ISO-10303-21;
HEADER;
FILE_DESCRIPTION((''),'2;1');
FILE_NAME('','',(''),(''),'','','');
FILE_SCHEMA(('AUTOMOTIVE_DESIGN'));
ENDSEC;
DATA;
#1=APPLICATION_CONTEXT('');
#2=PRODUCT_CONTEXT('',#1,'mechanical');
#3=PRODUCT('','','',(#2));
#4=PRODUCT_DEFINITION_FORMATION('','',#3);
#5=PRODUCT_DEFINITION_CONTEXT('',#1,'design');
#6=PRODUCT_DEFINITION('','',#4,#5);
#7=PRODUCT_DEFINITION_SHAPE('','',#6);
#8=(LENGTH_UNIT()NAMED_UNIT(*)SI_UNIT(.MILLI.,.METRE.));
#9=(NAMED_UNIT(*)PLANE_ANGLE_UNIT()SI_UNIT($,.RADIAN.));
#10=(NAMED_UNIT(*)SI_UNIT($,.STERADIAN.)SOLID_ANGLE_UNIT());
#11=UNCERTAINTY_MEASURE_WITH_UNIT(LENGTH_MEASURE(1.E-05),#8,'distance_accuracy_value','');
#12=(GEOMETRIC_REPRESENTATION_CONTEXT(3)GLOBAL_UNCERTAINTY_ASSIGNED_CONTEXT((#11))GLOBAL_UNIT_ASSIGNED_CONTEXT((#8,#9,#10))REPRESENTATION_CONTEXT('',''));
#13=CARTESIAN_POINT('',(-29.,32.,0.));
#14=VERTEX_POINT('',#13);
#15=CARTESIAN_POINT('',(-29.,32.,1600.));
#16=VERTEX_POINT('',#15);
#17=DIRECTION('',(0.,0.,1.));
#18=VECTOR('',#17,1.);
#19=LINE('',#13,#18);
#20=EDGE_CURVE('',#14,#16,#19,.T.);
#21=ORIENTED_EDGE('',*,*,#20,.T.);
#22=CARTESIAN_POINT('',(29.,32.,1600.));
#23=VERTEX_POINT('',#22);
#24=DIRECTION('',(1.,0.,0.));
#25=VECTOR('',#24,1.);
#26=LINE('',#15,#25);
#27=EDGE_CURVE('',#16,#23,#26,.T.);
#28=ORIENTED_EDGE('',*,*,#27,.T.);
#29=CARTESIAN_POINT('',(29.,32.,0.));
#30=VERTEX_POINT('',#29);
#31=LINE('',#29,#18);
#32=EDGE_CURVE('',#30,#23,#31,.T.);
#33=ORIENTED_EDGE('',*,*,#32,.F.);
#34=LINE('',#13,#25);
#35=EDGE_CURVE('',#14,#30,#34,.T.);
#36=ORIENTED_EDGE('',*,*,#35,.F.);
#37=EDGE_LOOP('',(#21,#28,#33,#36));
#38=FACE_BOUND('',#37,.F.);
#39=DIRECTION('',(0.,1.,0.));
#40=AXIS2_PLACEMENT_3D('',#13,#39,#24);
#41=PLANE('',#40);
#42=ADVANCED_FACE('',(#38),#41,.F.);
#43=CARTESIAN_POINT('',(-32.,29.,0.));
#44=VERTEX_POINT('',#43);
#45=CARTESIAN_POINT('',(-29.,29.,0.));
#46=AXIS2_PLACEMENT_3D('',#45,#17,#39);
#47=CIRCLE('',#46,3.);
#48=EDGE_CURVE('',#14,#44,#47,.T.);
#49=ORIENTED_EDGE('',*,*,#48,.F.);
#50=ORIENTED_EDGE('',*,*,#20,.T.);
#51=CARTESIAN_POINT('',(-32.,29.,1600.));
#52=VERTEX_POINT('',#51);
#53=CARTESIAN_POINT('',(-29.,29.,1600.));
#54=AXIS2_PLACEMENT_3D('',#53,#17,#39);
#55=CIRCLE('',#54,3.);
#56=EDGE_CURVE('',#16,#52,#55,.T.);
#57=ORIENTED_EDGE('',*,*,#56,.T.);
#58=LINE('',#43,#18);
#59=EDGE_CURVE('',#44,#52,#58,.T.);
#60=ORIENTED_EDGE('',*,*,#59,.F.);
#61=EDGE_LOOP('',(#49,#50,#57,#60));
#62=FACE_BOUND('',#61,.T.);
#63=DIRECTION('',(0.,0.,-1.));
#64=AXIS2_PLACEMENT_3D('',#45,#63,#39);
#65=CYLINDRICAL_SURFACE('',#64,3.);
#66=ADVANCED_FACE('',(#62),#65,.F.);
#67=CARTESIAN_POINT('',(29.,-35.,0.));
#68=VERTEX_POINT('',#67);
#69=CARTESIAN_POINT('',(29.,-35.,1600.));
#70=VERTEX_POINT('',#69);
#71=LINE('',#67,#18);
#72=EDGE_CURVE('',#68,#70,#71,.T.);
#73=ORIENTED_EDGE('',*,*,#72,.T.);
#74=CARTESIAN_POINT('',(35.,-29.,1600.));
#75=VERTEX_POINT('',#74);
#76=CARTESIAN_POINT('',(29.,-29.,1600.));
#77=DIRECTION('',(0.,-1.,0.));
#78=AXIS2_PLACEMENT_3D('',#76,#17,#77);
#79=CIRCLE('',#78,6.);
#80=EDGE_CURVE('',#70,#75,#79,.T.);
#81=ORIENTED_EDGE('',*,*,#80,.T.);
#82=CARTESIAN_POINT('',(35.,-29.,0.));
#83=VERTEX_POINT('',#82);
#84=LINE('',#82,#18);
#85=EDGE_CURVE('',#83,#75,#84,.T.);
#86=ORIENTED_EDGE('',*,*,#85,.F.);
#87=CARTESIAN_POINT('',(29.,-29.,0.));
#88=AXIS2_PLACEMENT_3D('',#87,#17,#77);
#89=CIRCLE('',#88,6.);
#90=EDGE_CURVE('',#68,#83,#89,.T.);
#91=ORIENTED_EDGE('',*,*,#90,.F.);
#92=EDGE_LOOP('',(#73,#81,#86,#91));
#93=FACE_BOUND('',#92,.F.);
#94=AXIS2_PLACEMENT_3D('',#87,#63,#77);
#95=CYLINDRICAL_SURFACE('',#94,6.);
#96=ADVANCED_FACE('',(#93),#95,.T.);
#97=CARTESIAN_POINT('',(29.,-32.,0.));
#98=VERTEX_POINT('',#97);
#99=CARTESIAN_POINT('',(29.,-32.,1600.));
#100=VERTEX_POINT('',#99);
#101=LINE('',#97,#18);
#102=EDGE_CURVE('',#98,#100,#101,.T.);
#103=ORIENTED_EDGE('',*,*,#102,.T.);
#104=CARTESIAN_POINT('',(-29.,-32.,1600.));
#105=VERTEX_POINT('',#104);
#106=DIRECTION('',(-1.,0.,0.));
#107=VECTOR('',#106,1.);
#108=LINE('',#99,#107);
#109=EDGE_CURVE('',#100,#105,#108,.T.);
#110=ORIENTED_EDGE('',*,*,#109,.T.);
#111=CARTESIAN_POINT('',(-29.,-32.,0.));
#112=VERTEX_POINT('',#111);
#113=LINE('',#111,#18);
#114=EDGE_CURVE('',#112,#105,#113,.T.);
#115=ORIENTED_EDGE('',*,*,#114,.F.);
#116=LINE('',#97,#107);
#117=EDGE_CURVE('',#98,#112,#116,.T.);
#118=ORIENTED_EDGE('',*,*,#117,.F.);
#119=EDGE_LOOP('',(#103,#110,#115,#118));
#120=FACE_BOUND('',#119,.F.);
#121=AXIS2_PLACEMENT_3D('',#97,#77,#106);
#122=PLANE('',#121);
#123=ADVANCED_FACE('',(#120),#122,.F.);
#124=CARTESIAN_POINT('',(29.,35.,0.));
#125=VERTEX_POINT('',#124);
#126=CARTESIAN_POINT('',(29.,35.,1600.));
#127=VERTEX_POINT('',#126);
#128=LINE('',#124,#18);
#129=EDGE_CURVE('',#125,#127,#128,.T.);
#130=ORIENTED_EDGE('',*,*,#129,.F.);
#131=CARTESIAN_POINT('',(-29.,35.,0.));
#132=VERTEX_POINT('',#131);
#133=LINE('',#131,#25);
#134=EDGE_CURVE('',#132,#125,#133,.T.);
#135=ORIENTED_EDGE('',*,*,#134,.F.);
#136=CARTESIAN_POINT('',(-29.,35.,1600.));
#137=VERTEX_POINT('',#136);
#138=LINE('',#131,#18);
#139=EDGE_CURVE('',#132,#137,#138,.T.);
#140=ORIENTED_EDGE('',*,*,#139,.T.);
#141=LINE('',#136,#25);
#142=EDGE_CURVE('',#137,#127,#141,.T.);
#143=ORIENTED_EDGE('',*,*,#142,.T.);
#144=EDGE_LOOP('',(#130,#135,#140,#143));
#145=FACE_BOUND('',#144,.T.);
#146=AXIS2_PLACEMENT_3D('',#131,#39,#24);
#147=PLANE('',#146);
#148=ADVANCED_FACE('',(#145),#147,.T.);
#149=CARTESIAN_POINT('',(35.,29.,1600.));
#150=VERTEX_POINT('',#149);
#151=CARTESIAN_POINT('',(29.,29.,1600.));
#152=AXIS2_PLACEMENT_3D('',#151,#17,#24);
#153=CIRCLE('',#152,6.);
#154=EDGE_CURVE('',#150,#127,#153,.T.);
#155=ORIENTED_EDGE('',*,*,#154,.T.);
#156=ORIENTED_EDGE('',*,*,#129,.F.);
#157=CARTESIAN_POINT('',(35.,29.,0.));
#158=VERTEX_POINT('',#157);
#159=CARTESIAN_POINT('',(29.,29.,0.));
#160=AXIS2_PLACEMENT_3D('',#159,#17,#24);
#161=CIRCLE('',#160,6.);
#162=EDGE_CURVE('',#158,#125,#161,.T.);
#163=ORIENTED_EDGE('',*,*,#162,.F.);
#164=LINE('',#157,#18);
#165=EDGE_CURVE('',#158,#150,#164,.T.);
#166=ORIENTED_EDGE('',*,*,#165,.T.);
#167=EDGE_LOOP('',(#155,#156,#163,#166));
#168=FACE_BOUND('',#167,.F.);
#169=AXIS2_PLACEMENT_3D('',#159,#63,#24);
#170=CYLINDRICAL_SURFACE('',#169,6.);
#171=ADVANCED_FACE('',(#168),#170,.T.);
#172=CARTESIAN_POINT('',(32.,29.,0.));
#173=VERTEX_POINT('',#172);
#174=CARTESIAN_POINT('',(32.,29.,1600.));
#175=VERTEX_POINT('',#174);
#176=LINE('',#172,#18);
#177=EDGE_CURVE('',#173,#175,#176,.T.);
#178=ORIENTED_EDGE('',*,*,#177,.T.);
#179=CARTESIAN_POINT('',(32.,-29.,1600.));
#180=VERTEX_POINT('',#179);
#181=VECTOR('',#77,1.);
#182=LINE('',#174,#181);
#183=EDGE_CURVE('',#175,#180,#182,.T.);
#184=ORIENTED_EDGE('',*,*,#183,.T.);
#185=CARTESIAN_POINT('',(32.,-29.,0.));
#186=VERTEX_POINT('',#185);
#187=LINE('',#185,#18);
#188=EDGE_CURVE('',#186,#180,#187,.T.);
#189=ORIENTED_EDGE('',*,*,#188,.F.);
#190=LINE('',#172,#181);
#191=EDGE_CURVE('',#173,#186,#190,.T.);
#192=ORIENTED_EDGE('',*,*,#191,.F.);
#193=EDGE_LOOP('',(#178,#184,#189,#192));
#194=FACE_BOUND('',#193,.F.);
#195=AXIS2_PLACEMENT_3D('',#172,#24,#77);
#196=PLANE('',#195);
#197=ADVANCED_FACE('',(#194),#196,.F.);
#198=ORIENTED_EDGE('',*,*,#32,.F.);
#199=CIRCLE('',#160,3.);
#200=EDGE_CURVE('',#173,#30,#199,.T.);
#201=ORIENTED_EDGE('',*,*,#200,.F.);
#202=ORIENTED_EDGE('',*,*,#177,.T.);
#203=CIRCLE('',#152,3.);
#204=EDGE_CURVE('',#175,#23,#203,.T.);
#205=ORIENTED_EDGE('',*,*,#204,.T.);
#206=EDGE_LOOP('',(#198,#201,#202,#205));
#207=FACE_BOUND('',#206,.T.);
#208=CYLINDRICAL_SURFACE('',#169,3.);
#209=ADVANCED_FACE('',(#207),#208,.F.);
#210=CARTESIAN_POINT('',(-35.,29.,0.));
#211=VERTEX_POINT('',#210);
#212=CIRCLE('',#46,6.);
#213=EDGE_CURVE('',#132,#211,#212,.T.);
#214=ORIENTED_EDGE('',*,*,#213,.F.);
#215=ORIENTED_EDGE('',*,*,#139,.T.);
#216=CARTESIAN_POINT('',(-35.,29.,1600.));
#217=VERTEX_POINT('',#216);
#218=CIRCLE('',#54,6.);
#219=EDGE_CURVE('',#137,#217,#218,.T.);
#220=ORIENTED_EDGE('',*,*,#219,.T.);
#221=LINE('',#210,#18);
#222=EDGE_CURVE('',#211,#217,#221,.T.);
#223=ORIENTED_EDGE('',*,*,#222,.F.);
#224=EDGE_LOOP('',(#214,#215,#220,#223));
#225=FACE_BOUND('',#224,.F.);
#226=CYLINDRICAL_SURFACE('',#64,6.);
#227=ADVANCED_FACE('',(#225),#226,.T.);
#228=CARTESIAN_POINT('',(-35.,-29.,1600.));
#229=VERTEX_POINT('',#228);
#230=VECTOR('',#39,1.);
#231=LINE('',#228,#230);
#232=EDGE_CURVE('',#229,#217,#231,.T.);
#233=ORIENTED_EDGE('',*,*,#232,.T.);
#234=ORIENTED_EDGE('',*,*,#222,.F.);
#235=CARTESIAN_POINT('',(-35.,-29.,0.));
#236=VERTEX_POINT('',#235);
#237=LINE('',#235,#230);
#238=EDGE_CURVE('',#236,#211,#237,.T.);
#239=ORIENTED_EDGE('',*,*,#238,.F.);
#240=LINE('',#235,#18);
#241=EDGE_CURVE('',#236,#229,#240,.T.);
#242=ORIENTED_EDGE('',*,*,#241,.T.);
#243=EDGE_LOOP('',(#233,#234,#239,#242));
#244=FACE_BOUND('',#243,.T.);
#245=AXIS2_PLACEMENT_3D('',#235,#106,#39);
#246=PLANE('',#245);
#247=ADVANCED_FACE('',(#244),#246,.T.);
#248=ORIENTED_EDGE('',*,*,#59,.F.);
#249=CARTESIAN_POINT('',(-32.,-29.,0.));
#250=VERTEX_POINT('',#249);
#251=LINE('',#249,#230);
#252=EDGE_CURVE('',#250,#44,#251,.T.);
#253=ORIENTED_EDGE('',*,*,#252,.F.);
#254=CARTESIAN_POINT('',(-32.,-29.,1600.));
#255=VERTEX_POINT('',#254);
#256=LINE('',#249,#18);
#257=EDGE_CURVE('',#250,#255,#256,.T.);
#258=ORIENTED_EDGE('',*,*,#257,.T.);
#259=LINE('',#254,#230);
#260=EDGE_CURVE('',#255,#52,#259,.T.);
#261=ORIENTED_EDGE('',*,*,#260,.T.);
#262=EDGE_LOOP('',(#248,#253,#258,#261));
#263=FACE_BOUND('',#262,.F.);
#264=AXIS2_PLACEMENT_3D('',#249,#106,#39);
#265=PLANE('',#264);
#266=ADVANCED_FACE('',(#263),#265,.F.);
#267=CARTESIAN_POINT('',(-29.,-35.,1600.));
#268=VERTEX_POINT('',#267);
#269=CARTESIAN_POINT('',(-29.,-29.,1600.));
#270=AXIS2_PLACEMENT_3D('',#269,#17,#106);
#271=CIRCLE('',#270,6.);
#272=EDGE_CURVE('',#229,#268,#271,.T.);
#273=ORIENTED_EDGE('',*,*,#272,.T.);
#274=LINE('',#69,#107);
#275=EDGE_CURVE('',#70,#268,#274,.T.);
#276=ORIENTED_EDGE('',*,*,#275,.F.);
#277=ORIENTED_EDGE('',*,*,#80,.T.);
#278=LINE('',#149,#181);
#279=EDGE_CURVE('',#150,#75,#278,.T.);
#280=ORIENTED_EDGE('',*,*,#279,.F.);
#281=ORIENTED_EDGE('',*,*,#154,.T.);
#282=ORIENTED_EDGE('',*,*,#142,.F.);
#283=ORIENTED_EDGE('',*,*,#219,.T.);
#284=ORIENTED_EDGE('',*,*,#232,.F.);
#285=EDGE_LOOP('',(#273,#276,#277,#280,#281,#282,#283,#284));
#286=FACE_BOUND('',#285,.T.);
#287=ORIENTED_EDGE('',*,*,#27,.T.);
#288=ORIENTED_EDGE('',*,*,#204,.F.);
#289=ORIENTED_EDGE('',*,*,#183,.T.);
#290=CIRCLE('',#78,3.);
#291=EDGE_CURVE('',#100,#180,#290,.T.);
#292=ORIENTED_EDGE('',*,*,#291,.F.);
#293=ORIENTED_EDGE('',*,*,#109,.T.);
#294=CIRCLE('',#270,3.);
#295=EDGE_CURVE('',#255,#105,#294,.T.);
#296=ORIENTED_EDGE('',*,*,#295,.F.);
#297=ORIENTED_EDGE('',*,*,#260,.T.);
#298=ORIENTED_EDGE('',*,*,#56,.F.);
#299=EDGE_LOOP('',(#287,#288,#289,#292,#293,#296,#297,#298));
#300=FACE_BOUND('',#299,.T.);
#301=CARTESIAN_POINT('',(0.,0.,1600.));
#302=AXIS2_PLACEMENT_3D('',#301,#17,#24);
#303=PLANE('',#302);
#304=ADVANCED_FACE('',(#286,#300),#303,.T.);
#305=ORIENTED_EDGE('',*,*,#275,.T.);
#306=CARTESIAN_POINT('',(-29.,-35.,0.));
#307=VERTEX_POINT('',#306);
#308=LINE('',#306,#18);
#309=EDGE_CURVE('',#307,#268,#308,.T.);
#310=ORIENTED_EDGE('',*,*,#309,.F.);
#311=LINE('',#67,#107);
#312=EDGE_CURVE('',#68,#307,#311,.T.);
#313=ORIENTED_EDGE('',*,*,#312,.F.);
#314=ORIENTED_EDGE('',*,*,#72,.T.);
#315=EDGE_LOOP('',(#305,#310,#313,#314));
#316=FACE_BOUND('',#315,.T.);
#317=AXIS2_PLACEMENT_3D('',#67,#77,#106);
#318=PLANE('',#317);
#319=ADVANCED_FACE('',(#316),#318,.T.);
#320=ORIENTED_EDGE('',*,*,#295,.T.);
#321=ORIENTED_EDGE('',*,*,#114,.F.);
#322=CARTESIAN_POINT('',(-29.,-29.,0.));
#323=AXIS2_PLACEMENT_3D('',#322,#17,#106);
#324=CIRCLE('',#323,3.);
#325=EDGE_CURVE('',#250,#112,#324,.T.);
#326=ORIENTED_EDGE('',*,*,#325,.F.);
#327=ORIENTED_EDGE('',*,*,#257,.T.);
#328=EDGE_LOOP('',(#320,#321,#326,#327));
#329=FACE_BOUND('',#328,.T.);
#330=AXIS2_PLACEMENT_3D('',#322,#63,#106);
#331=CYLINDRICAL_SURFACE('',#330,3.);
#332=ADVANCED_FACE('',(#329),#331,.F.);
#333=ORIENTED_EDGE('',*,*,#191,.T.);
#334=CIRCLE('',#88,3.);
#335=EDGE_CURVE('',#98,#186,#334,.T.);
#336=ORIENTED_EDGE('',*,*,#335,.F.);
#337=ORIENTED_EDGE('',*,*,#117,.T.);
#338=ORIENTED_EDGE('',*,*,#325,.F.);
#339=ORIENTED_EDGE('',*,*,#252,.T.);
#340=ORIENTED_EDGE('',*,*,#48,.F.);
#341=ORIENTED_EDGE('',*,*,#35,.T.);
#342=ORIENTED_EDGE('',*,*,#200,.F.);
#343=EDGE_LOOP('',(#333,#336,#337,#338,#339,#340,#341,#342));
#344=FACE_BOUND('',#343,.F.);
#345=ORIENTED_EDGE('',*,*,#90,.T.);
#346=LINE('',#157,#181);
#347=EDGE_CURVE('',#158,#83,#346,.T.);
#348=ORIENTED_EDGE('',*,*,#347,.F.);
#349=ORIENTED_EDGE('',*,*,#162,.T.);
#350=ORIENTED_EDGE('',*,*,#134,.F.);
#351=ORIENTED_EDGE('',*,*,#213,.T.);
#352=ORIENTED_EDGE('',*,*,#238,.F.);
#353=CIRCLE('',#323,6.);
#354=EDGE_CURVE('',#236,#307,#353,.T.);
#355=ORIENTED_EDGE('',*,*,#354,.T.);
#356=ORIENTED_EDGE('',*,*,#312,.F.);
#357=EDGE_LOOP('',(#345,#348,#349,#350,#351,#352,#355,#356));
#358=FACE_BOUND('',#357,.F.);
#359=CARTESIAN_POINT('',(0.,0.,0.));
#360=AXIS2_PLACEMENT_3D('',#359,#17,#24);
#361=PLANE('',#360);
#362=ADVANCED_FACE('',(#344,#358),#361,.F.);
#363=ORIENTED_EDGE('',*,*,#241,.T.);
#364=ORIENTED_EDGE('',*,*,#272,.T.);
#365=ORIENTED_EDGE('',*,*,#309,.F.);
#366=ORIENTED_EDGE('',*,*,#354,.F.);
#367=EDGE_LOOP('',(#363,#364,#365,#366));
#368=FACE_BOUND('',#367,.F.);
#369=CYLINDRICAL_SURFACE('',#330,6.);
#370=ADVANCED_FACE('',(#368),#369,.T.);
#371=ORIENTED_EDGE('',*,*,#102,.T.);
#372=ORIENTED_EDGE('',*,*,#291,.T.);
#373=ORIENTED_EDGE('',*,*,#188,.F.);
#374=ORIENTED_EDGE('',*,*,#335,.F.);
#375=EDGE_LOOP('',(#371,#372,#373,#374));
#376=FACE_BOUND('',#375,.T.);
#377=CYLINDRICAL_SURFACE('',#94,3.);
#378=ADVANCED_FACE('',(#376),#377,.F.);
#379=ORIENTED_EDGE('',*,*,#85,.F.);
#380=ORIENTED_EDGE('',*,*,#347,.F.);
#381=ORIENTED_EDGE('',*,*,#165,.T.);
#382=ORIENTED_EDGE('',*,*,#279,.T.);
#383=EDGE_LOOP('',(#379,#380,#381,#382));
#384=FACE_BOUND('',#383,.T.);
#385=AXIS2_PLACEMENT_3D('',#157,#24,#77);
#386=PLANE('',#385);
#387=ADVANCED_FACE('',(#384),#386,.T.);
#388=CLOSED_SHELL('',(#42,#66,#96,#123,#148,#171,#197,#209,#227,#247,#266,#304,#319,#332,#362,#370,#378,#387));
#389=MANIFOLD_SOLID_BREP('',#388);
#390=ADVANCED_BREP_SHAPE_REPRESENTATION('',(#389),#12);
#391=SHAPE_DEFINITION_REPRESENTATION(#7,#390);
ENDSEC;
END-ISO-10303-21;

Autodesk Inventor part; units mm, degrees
ref_plane "YZ Plane" through (0, 0, 0) normal (1, 0, 0) x (0, 1, 0)
ref_plane "Start Plane" through (0, 0, 0) normal (0, 0, 1) x (1, 0, 0)
ref_plane "End Plane" through (0, 0, 1600) normal (0, 0, 1) x (1, 0, 0)
sketch "Sketch" plane through (0, 0, 0) normal (0, 0, 1) x (1, 0, 0)
  line L0 (-35, -29) -> (-35, 29)
  line L1 (-29, 35) -> (29, 35)
  line L2 (35, 29) -> (35, -29)
  line L3 (29, -35) -> (-29, -35)
  arc A0 (-35, -29) -> (-29, -35) centre (-29, -29) ccw
  arc A1 (35, 29) -> (29, 35) centre (29, 29) ccw
  arc A2 (-29, 35) -> (-35, 29) centre (-29, 29) ccw
  arc A3 (29, -35) -> (35, -29) centre (29, -29) ccw
  arc A4 (-29, 32) -> (-32, 29) centre (-29, 29) ccw
  line L4 (-29, 32) -> (29, 32)
  arc A5 (32, 29) -> (29, 32) centre (29, 29) ccw
  line L5 (32, 29) -> (32, -29)
  arc A6 (29, -32) -> (32, -29) centre (29, -29) ccw
  line L6 (29, -32) -> (-29, -32)
  arc A7 (-32, -29) -> (-29, -32) centre (-29, -29) ccw
  line L7 (-32, -29) -> (-32, 29)
  line L8 (0, 50.7397) -> (0, -50.7397) construction
  line L9 (-50.7397, 0) -> (50.7397, 0) construction
  dimension "d7" = 6
  dimension "d9" = 70
  dimension "d11" = 70
  dimension "d12" = 3
  dimension "d15" = 35
  dimension "d16" = 35
extrude "Body" add sketch "Sketch" along normal up to surface (1600 mm away) from surface at 0
sketch "Sketch3" plane through (0, 0, 0) normal (0, 0, 1) x (1, 0, 0)
  line L0 (0, 0) -> (10, 0)
ref_plane "Work Plane3" through (0, 0, 0) normal (0, -1, 0) x (1, 0, 0)
sketch "Sketch4" plane through (0, 0, 0) normal (0, -1, 0) x (1, 0, 0)
  line L0 (-2, 0) -> (12, 0)
  line L1 (-2, 1600) -> (12, 1600)
  dimension "d18" = 1600
equation "\"d7\" = G_IR"
equation "\"d9\" = G_W"
equation "\"d11\" = G_H"
equation "\"d12\" = G_T"
equation "\"d15\" = 0.5 * d9"
equation "\"d16\" = 0.5 * d11"
equation "\"d3\" = G_L"
equation "\"G_W\" = 70"
equation "\"G_H\" = 70"
equation "\"G_T\" = 3"
equation "\"G_IR\" = 6"
equation "\"G_L\" = d18"
equation "\"G_OFFSET_START\" = 0"
equation "\"G_OFFSET_END\" = 0"
properties part number "ISO 10799-2 - 70x70x3 - 1600" material "Steel, Mild"
